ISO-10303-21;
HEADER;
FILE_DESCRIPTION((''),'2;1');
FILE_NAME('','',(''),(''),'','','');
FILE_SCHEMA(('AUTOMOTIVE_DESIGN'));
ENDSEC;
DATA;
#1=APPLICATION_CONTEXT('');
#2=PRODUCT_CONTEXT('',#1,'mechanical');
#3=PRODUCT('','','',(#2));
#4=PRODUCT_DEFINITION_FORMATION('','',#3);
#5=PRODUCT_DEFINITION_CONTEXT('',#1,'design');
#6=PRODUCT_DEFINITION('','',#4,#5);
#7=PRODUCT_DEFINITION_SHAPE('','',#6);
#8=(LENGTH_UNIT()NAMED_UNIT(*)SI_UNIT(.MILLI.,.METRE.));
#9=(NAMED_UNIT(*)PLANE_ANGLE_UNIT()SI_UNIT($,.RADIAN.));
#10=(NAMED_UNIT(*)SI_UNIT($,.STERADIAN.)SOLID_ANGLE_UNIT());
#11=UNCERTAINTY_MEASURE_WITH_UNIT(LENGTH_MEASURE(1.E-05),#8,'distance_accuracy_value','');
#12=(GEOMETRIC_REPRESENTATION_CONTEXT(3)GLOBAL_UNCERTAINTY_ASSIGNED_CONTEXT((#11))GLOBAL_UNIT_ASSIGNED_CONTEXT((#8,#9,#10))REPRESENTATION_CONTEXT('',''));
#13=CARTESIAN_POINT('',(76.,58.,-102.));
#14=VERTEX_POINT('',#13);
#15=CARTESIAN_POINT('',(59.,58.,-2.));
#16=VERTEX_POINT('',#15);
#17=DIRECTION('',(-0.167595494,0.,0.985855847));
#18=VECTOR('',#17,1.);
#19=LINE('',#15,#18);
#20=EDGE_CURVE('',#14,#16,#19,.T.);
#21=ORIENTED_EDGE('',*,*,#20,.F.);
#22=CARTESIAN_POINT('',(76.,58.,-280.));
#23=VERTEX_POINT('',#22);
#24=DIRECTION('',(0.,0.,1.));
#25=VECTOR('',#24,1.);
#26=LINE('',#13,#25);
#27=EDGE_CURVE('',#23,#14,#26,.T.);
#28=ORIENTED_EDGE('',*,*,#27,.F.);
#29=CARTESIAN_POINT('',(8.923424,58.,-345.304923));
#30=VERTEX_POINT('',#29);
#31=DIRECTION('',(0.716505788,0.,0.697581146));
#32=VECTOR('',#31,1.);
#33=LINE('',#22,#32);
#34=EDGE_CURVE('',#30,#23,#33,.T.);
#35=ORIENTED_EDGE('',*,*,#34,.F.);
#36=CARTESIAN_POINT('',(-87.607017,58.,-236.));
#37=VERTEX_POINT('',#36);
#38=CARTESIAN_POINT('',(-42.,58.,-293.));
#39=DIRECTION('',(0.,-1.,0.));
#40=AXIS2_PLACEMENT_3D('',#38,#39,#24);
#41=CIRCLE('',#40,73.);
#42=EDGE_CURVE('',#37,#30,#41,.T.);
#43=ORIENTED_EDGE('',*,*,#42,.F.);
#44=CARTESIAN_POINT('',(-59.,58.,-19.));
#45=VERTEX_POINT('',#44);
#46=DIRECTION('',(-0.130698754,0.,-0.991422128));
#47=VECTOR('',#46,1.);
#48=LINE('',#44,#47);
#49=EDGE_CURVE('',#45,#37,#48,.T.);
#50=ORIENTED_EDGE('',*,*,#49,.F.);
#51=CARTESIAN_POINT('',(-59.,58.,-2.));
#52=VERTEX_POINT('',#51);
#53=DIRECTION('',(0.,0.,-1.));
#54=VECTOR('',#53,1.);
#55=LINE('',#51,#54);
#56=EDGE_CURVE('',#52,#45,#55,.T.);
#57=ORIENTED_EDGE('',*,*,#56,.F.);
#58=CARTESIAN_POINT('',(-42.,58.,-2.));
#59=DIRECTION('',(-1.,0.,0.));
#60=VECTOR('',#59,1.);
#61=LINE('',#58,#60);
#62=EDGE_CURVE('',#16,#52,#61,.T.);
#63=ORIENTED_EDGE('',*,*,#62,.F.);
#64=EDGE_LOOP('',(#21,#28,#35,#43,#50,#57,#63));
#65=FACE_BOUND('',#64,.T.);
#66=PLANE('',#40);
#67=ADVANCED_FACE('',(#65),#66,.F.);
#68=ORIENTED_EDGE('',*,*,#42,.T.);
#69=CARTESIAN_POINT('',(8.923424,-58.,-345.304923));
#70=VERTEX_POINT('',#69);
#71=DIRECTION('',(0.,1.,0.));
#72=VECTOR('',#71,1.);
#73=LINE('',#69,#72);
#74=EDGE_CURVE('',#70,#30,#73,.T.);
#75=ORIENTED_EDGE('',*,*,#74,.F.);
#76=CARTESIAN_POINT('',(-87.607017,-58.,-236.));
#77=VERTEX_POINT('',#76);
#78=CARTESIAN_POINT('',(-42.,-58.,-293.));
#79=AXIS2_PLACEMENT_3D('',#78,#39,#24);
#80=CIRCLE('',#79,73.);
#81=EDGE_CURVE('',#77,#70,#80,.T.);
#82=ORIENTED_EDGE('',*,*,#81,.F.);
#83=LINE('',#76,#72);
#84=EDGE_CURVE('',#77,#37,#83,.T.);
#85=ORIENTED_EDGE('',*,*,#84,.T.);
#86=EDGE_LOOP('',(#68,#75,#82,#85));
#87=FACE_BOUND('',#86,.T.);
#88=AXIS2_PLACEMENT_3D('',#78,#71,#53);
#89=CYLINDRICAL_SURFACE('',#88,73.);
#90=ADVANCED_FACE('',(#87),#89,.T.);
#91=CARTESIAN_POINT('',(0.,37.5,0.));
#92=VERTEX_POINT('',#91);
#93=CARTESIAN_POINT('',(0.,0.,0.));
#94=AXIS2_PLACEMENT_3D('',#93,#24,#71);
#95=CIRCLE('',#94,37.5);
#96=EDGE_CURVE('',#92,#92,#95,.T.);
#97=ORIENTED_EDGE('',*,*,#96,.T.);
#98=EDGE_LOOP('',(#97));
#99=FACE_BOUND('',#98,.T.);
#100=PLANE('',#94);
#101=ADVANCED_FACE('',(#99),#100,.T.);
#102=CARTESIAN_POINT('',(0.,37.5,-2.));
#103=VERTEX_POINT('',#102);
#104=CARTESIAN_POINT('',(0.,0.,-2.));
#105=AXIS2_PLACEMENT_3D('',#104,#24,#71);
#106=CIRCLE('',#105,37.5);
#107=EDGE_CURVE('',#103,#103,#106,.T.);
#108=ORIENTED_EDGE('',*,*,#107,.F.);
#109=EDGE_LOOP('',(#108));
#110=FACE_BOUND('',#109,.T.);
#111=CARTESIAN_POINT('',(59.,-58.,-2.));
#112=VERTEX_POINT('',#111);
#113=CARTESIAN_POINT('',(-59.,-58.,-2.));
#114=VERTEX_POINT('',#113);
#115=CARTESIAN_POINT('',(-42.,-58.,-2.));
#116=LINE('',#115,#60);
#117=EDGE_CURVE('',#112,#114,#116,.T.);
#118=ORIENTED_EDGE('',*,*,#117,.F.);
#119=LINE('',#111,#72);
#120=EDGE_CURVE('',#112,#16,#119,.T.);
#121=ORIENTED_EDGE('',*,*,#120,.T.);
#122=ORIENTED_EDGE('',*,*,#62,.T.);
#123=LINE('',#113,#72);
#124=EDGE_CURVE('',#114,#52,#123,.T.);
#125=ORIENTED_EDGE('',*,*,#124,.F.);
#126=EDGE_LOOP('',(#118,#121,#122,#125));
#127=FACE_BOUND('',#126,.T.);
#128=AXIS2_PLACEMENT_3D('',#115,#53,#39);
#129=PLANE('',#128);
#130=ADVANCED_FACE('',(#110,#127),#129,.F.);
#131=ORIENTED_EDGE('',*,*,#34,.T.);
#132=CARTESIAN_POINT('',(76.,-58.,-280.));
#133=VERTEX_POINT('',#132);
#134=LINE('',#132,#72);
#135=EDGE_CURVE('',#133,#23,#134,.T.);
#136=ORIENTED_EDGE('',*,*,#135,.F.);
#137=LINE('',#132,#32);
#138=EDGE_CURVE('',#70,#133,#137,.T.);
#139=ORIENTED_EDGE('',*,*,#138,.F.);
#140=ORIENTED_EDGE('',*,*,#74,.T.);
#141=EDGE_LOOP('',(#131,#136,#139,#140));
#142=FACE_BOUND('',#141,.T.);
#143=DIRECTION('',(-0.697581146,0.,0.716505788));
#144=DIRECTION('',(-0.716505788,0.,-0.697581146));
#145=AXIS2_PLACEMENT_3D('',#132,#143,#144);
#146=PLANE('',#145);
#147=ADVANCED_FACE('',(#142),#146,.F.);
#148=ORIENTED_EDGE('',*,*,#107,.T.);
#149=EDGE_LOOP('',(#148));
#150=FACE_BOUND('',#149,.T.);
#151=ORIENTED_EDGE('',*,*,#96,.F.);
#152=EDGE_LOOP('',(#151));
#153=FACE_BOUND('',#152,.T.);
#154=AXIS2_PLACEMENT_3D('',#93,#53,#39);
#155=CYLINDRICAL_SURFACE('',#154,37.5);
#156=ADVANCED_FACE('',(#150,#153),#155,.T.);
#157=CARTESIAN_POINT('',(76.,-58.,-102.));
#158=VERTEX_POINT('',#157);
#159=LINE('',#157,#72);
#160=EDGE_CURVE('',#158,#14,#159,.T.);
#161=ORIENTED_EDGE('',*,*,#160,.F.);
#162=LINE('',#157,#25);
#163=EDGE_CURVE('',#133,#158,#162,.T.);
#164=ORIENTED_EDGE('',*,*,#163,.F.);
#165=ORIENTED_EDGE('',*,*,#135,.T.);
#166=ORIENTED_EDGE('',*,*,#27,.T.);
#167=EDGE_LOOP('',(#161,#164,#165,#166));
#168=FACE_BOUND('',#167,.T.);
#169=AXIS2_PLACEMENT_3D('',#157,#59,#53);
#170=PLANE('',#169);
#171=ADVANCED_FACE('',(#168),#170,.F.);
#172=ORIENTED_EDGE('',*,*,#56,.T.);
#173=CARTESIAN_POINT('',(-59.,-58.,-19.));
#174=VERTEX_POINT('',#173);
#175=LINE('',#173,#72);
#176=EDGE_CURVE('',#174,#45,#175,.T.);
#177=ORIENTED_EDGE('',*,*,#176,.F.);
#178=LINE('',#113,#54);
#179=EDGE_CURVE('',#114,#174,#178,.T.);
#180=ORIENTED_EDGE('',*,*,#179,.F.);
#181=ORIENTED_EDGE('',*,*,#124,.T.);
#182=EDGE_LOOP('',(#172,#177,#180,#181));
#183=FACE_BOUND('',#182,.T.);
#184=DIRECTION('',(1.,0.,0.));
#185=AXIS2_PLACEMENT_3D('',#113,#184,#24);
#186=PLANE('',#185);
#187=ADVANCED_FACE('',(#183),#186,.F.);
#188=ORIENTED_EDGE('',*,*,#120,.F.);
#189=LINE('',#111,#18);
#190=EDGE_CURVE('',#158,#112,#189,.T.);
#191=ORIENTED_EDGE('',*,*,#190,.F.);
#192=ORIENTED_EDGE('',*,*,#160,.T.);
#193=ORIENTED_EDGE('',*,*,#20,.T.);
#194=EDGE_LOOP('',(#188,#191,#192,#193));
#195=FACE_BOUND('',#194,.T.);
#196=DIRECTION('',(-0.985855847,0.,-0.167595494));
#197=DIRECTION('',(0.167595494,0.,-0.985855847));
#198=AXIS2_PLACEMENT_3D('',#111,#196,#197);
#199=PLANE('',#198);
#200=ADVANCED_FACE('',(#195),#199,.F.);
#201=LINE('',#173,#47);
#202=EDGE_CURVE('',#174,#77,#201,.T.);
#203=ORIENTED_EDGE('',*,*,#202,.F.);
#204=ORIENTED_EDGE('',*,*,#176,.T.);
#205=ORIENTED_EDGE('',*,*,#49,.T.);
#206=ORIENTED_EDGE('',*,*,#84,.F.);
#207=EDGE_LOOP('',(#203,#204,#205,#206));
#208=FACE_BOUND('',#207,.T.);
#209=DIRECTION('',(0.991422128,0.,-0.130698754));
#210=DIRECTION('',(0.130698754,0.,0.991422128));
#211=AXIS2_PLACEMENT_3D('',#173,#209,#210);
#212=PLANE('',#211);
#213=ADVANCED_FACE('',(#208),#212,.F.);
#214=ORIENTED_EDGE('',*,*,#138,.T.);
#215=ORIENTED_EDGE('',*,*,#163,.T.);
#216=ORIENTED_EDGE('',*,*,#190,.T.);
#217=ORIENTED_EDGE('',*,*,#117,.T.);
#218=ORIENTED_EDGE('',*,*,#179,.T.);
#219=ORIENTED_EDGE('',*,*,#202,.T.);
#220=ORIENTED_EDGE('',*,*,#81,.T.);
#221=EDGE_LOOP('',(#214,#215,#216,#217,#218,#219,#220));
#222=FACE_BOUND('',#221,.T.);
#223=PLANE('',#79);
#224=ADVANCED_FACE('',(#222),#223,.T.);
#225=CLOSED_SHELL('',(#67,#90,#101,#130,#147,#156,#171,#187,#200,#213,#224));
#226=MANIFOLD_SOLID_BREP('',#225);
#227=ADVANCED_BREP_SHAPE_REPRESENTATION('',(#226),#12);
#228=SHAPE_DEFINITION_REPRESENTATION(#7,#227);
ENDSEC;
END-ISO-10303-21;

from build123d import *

# Parameters (mm, degrees)
BOSS_EXTRUDE1_DEPTH   = 58
SKETCH2_R             = 37.5
BOSS_EXTRUDE2_DEPTH   = 2
BODY_MOVE_COPY2_ANGLE = 120


with BuildPart() as part:
    # Sketch1 → Boss-Extrude1 (new, symmetric)
    with BuildSketch(Plane.XY):
        with BuildLine():
            Line((291, 0), (291, 17))
            Line((291, 17), (274, 17))
            Line((274, 17), (57, 45.607017004))
            ThreePointArc((57, 45.607017004), (-48.32227677, 54.71706834), (-52.304922539, -50.92342367))
            Line((-52.304922539, -50.92342367), (13, -118))
            Line((13, -118), (191, -118))
            Line((191, -118), (291, -101))
            Line((291, -101), (291, 0))
        make_face()
    extrude(amount=BOSS_EXTRUDE1_DEPTH, both=True)

    # Sketch2 → Boss-Extrude2 (add)
    with BuildSketch(Plane(origin=(291, 0, 0), x_dir=(0, 0, -1), z_dir=(1, 0, 0))):
        with Locations((0, -42)):
            Circle(SKETCH2_R)
    extrude(amount=BOSS_EXTRUDE2_DEPTH)


with BuildPart() as part_1:
    # Body-Move/Copy1: moved
    add(part.part.moved(Location((-293, 42, 0))))


with BuildPart() as part_2:
    # Body-Move/Copy2: moved
    add(part_1.part.rotate(Axis((0, 0, 0), (0.5773502691896272, -0.5773502691896252, 0.5773502691896252)), BODY_MOVE_COPY2_ANGLE))


solid = part_2.part
